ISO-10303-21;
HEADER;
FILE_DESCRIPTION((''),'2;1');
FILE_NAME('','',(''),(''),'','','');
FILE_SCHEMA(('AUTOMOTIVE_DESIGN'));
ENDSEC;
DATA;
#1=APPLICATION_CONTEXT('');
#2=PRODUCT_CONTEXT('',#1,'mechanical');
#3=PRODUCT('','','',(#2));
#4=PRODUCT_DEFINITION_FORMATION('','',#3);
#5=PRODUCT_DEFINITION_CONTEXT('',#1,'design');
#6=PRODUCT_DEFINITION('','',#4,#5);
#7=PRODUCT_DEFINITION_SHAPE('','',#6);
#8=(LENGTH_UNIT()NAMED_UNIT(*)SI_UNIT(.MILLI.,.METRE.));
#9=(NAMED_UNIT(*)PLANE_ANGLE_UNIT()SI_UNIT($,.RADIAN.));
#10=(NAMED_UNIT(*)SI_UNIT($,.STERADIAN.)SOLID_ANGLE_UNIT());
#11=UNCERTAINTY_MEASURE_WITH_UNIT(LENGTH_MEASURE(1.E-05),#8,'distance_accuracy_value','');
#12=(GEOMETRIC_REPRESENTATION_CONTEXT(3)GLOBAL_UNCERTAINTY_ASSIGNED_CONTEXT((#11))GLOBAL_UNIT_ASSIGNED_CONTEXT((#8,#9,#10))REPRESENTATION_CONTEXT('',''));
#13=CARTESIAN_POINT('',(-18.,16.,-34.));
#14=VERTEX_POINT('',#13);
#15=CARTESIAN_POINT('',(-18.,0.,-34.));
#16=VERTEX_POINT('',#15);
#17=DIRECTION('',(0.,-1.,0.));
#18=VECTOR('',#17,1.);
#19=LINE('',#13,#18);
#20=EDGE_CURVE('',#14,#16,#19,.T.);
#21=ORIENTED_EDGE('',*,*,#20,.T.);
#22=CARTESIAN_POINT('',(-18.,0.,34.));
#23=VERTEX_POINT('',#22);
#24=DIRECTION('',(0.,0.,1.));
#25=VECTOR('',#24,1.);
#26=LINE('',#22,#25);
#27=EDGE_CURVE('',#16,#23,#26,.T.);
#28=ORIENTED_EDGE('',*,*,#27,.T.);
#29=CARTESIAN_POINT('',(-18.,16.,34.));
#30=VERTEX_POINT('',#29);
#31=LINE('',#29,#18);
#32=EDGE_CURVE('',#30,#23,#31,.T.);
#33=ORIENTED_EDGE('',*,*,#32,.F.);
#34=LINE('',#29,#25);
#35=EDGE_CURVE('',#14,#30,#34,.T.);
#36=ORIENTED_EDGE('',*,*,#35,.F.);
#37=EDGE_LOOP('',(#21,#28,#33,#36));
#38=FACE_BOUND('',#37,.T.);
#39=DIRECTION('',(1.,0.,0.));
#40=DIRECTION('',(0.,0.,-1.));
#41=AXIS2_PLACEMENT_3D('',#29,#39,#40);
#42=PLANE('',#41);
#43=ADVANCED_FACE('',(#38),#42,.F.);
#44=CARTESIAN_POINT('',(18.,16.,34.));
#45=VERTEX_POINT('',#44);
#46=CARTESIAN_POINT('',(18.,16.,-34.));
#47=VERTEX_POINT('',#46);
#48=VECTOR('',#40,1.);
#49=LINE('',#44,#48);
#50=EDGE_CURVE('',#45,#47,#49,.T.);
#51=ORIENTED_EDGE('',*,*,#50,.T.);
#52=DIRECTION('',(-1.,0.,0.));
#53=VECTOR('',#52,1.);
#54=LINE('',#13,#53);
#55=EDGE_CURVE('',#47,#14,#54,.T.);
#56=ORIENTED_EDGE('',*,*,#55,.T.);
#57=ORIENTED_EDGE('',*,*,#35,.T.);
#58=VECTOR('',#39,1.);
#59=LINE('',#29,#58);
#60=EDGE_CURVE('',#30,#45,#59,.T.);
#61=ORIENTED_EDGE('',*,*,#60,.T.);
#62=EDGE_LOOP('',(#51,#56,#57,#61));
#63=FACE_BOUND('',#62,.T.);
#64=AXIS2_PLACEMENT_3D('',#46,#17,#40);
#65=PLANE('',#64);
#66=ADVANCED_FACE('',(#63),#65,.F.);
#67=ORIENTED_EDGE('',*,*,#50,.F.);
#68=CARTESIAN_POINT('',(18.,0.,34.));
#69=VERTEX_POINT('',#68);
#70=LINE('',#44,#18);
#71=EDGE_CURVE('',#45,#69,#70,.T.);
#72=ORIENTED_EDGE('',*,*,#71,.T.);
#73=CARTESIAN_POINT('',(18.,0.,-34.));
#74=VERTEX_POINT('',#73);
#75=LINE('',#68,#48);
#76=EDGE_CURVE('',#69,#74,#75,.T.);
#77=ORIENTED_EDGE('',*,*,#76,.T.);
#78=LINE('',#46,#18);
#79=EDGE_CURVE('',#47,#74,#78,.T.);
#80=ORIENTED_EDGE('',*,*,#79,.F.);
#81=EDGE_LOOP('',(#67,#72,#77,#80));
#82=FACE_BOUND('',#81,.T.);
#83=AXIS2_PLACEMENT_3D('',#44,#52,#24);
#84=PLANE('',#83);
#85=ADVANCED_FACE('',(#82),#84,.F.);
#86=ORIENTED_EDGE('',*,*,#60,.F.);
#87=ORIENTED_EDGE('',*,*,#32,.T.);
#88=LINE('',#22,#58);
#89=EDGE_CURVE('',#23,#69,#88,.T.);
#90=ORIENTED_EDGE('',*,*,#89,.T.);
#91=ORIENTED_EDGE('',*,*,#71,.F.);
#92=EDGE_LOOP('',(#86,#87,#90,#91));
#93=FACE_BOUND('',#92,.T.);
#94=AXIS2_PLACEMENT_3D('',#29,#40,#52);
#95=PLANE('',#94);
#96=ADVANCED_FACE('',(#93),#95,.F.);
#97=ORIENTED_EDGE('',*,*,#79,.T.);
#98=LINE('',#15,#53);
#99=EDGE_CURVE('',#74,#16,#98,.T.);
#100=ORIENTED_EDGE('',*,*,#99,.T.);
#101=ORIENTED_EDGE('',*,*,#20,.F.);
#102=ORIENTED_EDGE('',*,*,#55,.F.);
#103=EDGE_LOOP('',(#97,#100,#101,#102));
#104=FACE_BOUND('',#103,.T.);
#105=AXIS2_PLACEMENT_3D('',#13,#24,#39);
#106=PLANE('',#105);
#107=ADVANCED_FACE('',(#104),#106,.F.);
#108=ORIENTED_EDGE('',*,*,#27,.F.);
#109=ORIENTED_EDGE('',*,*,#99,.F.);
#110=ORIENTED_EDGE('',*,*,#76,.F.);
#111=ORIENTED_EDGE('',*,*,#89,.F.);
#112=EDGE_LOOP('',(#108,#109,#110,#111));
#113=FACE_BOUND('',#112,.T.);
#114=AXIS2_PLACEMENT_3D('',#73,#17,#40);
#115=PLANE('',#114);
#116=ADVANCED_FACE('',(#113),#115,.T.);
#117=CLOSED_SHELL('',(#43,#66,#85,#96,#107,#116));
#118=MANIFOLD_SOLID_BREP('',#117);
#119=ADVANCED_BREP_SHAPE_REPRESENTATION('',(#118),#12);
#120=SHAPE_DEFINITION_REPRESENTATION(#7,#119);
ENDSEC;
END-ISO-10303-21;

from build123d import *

# Parameters (mm, degrees)
SKETCH1_W           = 36.000000104
SKETCH1_H           = 68
BOSS_EXTRUDE1_DEPTH = 16


with BuildPart() as part:
    # Sketch1 → Boss-Extrude1 (new body)
    with BuildSketch(Plane(origin=(0, 0, 0), x_dir=(1, 0, 0), z_dir=(0, 1, 0))):
        Rectangle(SKETCH1_W, SKETCH1_H)
    extrude(amount=BOSS_EXTRUDE1_DEPTH)


solid = part.part
